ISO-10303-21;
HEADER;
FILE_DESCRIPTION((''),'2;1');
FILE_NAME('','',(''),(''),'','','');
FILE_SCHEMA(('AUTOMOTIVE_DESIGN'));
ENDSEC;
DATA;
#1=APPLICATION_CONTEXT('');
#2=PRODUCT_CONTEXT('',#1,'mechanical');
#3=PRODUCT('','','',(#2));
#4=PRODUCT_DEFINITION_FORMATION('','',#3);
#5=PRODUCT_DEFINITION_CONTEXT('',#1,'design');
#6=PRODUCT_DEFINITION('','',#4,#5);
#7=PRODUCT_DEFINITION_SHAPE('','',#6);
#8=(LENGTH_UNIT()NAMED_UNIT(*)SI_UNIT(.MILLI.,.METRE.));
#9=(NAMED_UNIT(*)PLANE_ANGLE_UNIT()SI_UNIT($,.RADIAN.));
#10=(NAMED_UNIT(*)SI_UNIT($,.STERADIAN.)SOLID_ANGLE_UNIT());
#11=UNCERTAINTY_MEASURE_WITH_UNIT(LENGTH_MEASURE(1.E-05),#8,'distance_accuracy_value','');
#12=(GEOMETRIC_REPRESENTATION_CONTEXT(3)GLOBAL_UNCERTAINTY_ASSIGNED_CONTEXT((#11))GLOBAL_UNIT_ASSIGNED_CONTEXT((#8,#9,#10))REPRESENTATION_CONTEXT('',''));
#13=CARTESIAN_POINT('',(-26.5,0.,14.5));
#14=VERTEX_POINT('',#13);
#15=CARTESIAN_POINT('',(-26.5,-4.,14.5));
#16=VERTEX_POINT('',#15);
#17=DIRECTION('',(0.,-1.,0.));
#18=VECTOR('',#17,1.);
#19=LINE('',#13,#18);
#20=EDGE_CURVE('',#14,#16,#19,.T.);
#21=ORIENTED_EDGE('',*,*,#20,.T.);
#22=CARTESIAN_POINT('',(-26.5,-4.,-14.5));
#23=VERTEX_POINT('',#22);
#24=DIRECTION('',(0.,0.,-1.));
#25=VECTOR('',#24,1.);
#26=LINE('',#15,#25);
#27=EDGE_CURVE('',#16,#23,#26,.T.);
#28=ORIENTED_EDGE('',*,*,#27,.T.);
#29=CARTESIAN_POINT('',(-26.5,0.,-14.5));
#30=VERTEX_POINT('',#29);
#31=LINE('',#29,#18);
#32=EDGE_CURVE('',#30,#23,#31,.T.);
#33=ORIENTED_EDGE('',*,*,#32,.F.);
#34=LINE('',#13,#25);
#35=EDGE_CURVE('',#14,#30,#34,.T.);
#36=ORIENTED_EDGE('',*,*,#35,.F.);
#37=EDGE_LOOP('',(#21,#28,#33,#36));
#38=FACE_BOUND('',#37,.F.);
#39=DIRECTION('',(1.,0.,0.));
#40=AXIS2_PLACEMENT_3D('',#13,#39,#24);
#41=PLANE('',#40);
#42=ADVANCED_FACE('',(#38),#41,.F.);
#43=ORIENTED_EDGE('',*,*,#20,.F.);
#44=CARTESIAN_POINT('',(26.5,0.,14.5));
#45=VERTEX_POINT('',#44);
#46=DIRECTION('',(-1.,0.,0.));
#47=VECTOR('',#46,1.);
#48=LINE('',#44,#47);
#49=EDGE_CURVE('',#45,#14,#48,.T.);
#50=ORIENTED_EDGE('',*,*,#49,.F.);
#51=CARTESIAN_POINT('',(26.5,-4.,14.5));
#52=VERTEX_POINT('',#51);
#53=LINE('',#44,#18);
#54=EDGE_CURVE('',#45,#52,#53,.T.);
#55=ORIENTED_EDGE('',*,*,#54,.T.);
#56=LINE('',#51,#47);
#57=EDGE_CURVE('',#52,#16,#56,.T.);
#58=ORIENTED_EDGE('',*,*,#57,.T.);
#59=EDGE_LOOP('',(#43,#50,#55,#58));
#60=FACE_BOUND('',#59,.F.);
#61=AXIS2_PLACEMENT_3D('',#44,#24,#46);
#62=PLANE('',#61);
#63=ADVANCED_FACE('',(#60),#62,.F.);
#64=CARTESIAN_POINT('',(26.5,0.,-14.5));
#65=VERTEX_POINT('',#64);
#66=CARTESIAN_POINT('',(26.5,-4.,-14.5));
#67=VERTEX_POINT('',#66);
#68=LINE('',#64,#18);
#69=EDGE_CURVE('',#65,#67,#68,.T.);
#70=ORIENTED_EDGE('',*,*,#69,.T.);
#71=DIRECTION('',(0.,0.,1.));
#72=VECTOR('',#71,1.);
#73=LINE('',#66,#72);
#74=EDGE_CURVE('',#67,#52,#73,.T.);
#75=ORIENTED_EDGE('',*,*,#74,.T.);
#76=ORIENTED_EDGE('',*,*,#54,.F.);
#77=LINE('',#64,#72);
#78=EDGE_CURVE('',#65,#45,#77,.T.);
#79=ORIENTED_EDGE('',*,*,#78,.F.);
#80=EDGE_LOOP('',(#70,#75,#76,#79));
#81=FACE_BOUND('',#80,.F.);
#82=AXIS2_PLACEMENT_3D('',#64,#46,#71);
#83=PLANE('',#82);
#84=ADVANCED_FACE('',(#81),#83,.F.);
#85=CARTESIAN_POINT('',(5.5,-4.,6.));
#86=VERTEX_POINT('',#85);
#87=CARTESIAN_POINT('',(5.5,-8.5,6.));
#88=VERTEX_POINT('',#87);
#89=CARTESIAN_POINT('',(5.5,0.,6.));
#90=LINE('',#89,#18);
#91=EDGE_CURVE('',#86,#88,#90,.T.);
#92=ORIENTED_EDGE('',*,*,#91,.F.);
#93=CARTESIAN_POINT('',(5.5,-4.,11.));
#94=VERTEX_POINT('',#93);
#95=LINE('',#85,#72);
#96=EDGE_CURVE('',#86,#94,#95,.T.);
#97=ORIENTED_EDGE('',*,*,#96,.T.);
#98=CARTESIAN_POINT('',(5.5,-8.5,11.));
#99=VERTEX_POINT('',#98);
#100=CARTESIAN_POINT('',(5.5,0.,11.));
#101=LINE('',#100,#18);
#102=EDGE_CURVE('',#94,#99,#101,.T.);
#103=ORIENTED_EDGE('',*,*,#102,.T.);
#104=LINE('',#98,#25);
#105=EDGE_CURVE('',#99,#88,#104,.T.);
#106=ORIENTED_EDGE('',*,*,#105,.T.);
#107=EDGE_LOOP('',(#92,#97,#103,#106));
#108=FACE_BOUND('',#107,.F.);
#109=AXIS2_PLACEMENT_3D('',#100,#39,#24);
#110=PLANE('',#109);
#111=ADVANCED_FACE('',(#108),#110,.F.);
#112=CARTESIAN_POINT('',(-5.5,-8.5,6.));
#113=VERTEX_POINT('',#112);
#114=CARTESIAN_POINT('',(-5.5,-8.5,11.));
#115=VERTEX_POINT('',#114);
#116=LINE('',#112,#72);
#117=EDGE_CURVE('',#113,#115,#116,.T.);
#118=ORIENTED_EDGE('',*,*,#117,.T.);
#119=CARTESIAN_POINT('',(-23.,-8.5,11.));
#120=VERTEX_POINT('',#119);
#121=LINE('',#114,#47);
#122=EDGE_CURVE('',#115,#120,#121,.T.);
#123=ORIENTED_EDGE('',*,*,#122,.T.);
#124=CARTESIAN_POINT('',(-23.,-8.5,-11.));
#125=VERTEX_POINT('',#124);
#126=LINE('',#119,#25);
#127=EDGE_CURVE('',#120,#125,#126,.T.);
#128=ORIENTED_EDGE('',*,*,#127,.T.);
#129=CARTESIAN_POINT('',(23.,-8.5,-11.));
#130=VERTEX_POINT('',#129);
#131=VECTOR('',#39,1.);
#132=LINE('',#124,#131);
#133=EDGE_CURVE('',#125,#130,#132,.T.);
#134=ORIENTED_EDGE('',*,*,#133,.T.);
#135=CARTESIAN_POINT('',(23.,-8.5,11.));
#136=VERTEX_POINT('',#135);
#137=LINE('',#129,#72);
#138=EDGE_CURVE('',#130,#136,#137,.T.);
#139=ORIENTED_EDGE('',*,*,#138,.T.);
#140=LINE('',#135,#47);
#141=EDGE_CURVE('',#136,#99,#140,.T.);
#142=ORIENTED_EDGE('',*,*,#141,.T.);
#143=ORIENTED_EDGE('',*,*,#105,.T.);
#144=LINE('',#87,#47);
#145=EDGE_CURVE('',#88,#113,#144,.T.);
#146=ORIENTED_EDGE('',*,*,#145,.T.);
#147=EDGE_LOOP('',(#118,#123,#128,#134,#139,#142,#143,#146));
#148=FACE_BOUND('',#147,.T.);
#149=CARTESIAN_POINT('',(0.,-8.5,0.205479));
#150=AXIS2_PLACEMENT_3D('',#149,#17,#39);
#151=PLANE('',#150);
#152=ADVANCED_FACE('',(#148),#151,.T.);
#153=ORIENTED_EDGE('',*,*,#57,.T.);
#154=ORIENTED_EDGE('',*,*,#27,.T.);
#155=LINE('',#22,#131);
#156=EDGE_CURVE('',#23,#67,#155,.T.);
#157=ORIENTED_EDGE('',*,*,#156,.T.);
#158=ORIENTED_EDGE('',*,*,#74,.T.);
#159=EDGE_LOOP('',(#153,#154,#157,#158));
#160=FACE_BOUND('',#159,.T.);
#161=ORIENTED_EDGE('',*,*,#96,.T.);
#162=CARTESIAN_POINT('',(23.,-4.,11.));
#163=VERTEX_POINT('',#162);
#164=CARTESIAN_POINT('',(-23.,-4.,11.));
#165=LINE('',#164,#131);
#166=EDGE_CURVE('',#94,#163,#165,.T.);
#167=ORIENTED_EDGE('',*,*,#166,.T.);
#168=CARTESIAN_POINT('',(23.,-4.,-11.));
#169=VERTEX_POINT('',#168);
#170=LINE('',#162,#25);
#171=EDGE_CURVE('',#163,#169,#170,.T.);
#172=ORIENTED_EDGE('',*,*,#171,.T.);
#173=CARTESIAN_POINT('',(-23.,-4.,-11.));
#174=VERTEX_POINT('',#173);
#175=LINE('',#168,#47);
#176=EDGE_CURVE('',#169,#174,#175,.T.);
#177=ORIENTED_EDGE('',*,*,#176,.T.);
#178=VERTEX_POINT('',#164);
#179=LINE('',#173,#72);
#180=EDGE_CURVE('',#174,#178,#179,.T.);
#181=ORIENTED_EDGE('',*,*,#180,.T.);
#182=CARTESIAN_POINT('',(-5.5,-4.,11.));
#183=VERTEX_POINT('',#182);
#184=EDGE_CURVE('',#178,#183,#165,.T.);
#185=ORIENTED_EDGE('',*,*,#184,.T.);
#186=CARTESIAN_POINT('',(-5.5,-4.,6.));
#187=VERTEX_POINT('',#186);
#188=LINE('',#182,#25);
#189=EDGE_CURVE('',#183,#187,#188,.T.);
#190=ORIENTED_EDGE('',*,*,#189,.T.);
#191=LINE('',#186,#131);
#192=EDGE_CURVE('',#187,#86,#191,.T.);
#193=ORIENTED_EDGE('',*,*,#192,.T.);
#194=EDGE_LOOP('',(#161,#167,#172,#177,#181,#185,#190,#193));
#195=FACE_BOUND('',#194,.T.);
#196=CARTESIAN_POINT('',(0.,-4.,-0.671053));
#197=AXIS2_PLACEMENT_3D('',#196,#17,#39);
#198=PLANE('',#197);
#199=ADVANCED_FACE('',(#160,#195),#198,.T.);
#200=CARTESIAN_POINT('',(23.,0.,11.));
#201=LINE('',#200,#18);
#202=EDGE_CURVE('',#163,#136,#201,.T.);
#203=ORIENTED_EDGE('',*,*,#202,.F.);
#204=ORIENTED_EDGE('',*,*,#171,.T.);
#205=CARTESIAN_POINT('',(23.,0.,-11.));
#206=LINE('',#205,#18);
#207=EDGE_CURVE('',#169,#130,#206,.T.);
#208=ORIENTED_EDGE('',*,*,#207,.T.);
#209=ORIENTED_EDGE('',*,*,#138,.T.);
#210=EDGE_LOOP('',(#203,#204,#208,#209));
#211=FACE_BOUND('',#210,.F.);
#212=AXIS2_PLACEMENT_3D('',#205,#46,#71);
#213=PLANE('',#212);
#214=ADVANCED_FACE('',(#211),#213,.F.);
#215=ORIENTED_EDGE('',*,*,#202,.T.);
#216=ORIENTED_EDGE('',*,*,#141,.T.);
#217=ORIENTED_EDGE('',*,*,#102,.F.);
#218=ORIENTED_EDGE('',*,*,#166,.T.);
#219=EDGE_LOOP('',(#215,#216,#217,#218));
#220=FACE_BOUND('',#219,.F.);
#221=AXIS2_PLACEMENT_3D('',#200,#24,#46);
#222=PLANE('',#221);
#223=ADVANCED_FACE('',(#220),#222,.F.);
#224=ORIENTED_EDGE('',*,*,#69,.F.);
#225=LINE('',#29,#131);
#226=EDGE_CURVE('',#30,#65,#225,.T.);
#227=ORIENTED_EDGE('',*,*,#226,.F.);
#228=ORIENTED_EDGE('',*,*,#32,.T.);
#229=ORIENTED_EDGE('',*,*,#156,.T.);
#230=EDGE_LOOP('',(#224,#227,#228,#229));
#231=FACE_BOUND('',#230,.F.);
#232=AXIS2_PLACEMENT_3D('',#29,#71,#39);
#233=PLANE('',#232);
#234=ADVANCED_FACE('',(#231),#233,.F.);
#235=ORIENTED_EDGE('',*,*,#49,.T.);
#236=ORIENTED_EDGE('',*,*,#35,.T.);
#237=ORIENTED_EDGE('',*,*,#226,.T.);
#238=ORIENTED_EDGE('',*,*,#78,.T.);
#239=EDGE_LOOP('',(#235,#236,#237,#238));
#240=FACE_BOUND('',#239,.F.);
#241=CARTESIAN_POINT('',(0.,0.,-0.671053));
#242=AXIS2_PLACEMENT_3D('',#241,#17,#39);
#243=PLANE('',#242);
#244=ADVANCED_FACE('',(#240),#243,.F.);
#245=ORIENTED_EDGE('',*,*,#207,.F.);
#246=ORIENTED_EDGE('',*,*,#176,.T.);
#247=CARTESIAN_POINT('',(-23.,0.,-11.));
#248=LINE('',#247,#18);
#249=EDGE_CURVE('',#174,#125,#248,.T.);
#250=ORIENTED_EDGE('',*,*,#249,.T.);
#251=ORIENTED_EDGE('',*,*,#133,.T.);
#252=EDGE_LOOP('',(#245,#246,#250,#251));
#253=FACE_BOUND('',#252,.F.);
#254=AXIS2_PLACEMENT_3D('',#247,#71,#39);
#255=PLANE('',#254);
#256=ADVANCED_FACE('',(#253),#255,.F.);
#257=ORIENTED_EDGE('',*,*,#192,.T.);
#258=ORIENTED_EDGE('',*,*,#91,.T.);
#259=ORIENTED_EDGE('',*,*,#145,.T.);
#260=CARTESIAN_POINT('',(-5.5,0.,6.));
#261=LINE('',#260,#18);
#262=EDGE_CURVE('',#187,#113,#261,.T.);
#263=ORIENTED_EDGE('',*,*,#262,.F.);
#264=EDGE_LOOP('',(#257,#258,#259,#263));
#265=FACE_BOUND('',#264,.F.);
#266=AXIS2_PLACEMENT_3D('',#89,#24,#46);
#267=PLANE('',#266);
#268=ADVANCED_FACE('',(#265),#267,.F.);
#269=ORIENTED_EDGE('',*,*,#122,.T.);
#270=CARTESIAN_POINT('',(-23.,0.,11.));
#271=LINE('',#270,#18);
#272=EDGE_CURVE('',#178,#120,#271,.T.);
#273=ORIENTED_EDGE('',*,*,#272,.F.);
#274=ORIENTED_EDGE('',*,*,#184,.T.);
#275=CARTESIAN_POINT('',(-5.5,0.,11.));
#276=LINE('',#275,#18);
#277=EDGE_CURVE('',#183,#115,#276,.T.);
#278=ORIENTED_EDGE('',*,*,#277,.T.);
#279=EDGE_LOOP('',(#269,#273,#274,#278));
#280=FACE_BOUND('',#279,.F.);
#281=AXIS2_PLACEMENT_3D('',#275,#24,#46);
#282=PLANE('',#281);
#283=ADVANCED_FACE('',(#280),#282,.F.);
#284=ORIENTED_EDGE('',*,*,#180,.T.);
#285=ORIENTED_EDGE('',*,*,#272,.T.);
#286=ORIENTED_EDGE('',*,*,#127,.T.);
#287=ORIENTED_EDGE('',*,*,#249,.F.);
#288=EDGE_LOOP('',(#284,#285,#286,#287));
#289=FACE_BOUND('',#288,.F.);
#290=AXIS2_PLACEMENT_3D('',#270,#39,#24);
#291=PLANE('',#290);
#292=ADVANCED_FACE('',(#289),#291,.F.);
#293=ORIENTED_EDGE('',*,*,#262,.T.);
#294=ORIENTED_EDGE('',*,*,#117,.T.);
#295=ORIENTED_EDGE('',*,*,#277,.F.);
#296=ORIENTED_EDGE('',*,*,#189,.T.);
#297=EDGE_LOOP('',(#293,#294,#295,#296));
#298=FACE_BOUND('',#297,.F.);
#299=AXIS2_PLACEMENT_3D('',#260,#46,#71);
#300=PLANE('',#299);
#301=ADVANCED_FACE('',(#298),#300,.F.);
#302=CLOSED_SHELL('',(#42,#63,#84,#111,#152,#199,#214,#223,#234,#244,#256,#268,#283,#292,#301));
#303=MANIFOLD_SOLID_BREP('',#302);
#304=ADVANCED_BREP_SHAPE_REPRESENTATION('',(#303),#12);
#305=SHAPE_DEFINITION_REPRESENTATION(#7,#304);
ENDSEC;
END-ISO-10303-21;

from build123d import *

# Parameters (mm, degrees)
F0_W     = 5.5
F0_H     = 3.5
F1_DEPTH = 4
F2_DEPTH = 8.5
F3_DEPTH = 1


with BuildPart() as f1:
    # F0 (on Front) → F1 (new body)
    with BuildSketch(Plane.XZ):
        Polygon((-5.5, 14.5), (-26.5, 14.5), (-26.5, -14.5), (26.5, -14.5), (26.5, 14.5), (5.5, 14.5), (5.5, 11), (23, 11), (23, -11), (-23, -11), (-23, 11), (-5.5, 11), align=None)
        with Locations((-2.75, 12.75)):
            Rectangle(F0_W, F0_H)
        with Locations((2.75, 12.75)):
            Rectangle(F0_W, F0_H)
        Polygon((0, 11), (-5.5, 11), (-5.5, 6), (5.5, 6), (5.5, 11), align=None)
    extrude(amount=F1_DEPTH)

    # F0 (on Front) → F2 (join)
    with BuildSketch(Plane.XZ):
        Polygon((-5.5, 6), (-5.5, 11), (-23, 11), (-23, -11), (23, -11), (23, 11), (5.5, 11), (5.5, 6), align=None)
    extrude(amount=F2_DEPTH)

    # F0 (on Front) → F3 (join)
    with BuildSketch(Plane.XZ):
        with Locations((-2.75, 12.75)):
            Rectangle(F0_W, F0_H)
        with Locations((2.75, 12.75)):
            Rectangle(F0_W, F0_H)
        Polygon((0, 11), (-5.5, 11), (-5.5, 6), (5.5, 6), (5.5, 11), align=None)
    extrude(amount=F3_DEPTH)


solid = f1.part
